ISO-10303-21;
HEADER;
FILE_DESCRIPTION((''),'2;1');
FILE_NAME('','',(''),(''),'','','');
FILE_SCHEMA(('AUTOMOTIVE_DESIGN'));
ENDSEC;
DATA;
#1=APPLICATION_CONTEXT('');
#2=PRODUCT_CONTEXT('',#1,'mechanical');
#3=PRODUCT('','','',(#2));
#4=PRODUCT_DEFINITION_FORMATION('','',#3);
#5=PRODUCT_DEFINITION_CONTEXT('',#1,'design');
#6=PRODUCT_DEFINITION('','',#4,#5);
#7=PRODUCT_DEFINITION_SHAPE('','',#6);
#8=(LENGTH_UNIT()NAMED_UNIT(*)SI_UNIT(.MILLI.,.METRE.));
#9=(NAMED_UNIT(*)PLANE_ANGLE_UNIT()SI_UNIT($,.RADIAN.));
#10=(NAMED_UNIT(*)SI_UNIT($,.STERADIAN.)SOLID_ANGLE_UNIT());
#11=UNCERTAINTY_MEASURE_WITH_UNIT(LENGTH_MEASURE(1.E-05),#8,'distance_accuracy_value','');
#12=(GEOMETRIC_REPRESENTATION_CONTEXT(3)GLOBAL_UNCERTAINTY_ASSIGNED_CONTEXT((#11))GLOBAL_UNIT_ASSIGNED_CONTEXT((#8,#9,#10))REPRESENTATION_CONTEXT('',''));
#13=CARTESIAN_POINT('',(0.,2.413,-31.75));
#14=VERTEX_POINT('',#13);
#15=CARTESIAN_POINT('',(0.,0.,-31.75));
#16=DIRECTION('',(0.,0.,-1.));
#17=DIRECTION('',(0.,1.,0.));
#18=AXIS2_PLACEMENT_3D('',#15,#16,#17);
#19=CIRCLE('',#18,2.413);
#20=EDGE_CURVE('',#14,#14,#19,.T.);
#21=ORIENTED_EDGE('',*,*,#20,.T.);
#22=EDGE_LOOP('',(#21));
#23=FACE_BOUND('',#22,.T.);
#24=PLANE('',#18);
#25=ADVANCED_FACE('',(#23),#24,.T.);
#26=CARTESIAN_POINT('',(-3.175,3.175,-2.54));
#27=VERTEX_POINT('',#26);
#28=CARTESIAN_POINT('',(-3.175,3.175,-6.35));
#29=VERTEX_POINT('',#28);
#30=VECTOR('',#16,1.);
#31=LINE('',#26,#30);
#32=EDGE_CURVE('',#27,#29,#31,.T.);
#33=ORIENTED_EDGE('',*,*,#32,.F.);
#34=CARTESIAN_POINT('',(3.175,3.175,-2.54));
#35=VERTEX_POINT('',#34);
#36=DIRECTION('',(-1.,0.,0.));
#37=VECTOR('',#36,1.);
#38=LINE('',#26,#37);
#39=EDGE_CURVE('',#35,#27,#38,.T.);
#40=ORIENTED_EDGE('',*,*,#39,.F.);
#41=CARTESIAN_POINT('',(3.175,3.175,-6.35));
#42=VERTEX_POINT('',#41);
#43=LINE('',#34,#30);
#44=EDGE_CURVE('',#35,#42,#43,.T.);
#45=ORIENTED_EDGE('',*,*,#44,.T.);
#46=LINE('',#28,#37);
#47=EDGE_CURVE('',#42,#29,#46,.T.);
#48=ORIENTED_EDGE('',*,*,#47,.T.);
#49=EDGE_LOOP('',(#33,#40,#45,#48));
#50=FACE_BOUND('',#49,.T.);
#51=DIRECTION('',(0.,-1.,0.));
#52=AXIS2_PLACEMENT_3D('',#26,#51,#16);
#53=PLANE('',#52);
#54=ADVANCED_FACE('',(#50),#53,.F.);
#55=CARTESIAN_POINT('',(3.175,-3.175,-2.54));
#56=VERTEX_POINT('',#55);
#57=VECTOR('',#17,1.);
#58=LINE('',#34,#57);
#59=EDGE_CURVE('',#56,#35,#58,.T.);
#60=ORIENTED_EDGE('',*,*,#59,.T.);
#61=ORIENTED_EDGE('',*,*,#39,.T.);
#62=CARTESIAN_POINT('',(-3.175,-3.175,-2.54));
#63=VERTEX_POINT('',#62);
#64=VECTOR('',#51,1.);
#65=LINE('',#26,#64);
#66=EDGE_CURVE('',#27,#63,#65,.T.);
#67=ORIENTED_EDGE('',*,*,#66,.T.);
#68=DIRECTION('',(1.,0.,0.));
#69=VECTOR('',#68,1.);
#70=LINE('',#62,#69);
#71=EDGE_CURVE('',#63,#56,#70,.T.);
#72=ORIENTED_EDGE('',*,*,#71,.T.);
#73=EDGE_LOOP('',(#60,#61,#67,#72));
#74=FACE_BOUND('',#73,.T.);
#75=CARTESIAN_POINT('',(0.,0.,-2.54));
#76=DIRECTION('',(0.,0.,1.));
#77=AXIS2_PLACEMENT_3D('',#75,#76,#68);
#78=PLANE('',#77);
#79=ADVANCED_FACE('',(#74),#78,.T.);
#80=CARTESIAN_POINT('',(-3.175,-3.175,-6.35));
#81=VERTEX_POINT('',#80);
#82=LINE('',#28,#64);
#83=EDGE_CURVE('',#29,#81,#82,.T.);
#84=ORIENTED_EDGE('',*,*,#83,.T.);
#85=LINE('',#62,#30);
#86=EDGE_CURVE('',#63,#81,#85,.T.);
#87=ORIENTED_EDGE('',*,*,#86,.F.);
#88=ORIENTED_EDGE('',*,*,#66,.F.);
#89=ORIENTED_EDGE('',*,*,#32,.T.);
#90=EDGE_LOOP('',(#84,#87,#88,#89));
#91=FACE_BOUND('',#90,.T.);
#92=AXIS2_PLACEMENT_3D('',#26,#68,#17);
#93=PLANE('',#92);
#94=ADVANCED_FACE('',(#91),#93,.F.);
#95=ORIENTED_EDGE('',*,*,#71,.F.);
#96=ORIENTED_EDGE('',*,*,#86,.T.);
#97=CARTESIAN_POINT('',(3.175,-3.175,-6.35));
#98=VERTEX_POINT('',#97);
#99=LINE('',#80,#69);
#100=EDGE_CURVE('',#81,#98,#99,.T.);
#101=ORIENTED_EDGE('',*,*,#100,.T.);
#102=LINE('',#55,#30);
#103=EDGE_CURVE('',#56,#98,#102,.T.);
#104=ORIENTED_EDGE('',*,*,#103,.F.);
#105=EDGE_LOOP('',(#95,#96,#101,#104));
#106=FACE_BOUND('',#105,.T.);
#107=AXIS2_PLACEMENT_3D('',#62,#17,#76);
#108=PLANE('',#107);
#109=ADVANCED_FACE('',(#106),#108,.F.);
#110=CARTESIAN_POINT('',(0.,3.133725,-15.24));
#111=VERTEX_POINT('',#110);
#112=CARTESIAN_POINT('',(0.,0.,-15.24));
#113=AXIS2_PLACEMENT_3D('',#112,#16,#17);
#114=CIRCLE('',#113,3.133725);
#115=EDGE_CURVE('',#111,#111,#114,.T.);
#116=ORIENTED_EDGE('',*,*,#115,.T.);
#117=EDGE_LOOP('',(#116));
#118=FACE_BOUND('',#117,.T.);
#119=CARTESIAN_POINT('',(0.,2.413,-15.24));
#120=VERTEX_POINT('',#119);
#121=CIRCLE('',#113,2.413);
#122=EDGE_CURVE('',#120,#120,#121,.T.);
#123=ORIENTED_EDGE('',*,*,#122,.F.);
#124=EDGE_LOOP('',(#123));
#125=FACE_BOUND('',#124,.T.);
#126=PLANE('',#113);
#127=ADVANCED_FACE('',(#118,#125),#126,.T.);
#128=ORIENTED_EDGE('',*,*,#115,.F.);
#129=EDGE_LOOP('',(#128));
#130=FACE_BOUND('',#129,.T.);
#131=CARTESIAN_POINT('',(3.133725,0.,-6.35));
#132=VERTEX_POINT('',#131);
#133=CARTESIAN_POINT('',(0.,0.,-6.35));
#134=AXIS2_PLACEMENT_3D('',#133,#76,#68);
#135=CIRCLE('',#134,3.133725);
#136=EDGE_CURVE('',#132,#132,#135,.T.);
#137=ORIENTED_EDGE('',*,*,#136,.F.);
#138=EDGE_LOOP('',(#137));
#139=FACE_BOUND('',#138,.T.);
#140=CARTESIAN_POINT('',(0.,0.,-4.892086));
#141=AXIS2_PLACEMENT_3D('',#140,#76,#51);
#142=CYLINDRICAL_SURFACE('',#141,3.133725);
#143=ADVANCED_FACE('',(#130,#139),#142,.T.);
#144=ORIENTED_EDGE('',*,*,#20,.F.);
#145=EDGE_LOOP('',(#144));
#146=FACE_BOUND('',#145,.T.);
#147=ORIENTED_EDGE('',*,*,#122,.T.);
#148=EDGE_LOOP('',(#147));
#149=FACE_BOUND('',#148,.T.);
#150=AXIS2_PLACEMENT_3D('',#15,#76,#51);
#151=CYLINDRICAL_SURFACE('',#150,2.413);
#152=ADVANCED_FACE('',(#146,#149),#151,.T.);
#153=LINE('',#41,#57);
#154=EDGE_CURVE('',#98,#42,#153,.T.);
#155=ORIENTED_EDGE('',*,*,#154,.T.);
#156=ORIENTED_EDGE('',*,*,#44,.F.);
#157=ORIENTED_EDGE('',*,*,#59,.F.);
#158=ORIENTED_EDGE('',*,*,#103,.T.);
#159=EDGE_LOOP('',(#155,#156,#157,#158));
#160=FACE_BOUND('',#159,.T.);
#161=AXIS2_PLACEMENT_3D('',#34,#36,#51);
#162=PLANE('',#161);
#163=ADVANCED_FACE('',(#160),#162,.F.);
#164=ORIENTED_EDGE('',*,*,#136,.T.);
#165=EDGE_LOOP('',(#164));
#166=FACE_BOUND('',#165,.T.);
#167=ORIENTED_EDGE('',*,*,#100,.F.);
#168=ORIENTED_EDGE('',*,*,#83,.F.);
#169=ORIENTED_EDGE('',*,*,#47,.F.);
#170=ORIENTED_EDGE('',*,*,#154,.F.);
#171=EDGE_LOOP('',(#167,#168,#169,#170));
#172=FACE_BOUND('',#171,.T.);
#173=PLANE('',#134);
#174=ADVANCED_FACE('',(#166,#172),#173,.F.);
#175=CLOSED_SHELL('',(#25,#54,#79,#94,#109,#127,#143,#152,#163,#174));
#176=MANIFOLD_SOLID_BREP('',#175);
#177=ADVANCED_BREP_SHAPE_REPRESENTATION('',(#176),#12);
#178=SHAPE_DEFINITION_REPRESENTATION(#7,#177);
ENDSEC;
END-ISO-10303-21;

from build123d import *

# Parameters (mm, degrees)
SKETCH6_R           = 3.687499751
CUT_EXTRUDE3_DEPTH  = 29.1338
SKETCH7_R           = 2.413
BOSS_EXTRUDE1_DEPTH = 16.51
SKETCH9_R           = 4.699
CUT_EXTRUDE4_DEPTH  = 6.35
SKETCH10_W          = 6.35
SKETCH10_H          = 6.35
BOSS_EXTRUDE3_DEPTH = 3.81


with BuildPart() as part:
    # Sketch1 → Revolve1 (revolve)
    with BuildSketch(Plane(origin=(0, 0, 0), x_dir=(0, 0, -1), z_dir=(1, 0, 0))):
        Polygon((4.892085627, 0), (44.3738, 0), (44.3738, 2.159), (43.409235, 3.123565), (25.3238, 3.123565), (18.9738, 3.133725), (6.4516, 3.133725), (6.2738, 3.133725), (6.2738, 3.311525), (6.2738, 4.445), (6.2738, 4.699), (6.0198, 4.699), (0.635, 4.699), (0, 4.699), (0, 4.064), (0, 3.19405), (0, 0), align=None)
    revolve(axis=Axis((0, 0, -4.892085627), (0, 0, -1)))

    # Sketch6 → Cut-Extrude3 (cut)
    with BuildSketch(Plane(origin=(0, 0, -44.3738), x_dir=(-1, 0, 0), z_dir=(0, 0, -1))):
        Circle(SKETCH6_R)
    extrude(amount=-CUT_EXTRUDE3_DEPTH, mode=Mode.SUBTRACT)

    # Sketch7 → Boss-Extrude1 (add)
    with BuildSketch(Plane(origin=(0, 0, -15.24), x_dir=(-1, 0, 0), z_dir=(0, 0, -1))):
        Circle(SKETCH7_R)
    extrude(amount=BOSS_EXTRUDE1_DEPTH)

    # Sketch9 → Cut-Extrude4 (cut)
    with BuildSketch(Plane.XY):
        Circle(SKETCH9_R)
    extrude(amount=-CUT_EXTRUDE4_DEPTH, mode=Mode.SUBTRACT)

    # Sketch10 → Boss-Extrude3 (add)
    with BuildSketch(Plane.XY.offset(-6.35)):
        Rectangle(SKETCH10_W, SKETCH10_H)
    extrude(amount=BOSS_EXTRUDE3_DEPTH)


solid = part.part
